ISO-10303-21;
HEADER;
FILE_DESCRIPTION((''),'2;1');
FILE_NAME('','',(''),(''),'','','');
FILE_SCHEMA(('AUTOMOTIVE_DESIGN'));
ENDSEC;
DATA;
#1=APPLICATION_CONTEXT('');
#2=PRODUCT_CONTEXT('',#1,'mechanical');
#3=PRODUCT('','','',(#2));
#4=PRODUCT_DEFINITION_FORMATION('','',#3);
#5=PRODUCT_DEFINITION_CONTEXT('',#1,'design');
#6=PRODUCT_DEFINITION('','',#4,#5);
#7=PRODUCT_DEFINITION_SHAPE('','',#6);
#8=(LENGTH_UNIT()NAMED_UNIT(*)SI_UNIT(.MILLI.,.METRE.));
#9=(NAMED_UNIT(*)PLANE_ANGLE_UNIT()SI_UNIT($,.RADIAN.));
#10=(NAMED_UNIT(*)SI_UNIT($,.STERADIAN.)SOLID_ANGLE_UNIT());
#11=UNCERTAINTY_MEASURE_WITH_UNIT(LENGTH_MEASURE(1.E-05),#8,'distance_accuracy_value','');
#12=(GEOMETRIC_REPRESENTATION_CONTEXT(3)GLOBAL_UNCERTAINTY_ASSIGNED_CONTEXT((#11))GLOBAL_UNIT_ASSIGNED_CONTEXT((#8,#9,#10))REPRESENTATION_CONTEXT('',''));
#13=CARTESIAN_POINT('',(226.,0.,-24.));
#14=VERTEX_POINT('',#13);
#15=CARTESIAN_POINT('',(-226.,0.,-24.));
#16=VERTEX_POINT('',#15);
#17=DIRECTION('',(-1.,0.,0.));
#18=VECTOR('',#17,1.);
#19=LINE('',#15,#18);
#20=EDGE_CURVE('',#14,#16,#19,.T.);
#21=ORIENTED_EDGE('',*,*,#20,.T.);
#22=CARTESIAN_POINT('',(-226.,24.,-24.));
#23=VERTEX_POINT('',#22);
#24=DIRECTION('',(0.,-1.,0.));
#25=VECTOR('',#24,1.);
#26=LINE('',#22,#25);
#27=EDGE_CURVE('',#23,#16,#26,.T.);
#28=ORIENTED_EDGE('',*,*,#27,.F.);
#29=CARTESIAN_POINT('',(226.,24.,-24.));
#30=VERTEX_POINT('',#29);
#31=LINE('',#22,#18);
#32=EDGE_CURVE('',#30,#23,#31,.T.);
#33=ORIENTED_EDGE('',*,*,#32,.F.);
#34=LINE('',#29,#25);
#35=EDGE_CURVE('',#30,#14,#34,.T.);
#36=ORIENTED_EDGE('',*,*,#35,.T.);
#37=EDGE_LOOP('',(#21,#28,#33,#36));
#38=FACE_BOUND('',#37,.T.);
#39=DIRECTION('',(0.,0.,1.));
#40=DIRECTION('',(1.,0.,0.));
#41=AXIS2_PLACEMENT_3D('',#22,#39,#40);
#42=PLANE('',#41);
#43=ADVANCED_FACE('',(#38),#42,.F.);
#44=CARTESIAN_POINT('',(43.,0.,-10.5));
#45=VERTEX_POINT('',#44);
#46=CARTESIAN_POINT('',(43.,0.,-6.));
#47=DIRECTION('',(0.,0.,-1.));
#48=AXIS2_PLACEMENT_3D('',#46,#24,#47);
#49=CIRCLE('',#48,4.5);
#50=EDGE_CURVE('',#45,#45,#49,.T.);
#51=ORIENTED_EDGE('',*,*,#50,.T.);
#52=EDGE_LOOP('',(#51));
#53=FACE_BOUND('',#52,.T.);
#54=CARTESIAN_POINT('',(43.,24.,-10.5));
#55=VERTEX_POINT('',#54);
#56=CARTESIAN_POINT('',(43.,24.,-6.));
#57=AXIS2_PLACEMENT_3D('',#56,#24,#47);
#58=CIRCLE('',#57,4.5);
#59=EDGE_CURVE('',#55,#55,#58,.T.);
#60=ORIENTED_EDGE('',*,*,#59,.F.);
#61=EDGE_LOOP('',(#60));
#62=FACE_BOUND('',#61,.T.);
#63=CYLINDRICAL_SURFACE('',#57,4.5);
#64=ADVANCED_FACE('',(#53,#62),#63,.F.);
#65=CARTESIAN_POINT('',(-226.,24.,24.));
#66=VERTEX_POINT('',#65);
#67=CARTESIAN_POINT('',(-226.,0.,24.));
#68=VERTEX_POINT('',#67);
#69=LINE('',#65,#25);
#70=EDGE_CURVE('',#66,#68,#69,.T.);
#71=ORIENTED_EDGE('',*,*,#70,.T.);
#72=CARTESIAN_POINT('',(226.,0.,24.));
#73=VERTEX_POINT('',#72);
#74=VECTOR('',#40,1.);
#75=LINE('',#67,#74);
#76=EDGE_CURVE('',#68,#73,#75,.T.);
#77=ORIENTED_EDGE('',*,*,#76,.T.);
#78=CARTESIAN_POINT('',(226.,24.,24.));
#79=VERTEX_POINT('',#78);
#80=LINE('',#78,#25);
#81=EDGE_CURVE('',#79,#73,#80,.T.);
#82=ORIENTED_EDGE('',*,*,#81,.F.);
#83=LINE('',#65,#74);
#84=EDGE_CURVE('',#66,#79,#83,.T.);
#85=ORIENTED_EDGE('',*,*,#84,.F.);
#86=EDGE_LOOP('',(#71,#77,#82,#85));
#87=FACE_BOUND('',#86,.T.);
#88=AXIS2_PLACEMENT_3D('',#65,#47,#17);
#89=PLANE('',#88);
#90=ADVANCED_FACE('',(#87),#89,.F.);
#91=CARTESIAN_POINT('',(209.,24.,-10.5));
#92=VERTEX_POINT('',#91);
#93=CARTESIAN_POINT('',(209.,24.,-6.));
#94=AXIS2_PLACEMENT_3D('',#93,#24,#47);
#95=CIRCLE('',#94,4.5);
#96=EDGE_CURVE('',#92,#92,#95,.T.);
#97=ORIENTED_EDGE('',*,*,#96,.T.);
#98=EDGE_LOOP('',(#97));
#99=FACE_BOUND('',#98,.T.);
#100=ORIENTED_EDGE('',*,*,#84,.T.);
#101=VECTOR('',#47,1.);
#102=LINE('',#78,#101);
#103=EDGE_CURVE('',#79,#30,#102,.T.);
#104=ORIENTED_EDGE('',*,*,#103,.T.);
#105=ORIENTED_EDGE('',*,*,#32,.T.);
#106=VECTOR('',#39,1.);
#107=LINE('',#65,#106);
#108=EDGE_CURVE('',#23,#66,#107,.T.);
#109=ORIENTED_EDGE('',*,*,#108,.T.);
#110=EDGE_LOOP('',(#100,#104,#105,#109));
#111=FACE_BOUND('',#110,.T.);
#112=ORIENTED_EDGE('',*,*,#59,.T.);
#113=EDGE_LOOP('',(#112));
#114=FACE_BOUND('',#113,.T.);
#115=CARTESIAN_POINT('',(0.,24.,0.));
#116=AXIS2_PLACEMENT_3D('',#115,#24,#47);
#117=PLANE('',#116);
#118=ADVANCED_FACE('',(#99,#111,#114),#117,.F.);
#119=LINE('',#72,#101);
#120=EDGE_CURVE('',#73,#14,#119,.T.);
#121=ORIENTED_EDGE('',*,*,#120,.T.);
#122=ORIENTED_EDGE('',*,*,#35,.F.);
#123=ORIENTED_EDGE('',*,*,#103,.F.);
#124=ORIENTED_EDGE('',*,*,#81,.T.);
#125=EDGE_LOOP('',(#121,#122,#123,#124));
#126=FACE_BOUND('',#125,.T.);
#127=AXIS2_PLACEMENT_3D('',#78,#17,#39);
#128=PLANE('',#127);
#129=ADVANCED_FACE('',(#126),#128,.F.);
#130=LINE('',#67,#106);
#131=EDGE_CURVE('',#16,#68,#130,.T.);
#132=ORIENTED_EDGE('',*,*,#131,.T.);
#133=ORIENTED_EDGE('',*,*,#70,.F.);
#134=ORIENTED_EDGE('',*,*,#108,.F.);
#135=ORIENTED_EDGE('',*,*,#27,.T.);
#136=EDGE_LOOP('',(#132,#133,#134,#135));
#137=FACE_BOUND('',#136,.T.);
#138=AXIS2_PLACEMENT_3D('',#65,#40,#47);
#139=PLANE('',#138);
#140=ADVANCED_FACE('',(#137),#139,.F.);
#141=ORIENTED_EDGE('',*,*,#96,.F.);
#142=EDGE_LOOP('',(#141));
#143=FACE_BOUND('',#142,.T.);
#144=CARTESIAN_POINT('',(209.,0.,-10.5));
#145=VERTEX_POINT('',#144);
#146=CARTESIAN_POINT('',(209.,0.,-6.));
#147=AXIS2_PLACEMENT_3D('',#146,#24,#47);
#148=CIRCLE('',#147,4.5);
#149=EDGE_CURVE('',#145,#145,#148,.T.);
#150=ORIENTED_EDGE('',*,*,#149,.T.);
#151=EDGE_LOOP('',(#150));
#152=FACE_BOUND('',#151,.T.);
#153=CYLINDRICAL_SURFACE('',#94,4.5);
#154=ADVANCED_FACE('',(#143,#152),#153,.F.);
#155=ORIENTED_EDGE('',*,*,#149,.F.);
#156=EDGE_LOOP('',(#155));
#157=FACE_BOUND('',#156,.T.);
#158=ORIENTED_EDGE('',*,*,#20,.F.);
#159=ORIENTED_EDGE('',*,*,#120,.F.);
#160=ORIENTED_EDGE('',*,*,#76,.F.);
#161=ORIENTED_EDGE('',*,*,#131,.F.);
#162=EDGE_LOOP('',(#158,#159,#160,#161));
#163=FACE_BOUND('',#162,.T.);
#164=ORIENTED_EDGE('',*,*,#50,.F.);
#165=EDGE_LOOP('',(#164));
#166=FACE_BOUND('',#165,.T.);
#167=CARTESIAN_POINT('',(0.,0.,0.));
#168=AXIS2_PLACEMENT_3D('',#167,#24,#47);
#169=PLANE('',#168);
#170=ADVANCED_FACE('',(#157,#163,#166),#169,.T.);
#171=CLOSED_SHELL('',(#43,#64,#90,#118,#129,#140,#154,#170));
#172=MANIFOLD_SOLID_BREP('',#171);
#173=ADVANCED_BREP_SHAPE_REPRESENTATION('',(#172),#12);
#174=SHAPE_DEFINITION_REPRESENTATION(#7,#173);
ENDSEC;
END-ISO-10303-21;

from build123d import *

# Parameters (mm, degrees)
ESQUISSE1_W             = 452
ESQUISSE1_H             = 48
BOSS_EXTRU_1_DEPTH      = 24
ESQUISSE2_R             = 4.5
ENL_V_MAT_EXTRU_1_DEPTH = 229.534461296


with BuildPart() as part:
    # Esquisse1 → Boss.-Extru.1 (new body)
    with BuildSketch(Plane(origin=(0, 0, 0), x_dir=(1, 0, 0), z_dir=(0, 1, 0))):
        Rectangle(ESQUISSE1_W, ESQUISSE1_H)
    extrude(amount=BOSS_EXTRU_1_DEPTH)

    # Esquisse2 → Enlèv. mat.-Extru.1 (cut, through all)
    with BuildSketch(Plane(origin=(0, 0, 0), x_dir=(-1, 0, 0), z_dir=(0, -1, 0))):
        with Locations(Location((-209, 6, 0), (0, 0, 90))):
            Circle(ESQUISSE2_R)
        with Locations(Location((-43, 6, 0), (0, 0, 90))):
            Circle(ESQUISSE2_R)
    extrude(amount=-ENL_V_MAT_EXTRU_1_DEPTH, mode=Mode.SUBTRACT)


solid = part.part
